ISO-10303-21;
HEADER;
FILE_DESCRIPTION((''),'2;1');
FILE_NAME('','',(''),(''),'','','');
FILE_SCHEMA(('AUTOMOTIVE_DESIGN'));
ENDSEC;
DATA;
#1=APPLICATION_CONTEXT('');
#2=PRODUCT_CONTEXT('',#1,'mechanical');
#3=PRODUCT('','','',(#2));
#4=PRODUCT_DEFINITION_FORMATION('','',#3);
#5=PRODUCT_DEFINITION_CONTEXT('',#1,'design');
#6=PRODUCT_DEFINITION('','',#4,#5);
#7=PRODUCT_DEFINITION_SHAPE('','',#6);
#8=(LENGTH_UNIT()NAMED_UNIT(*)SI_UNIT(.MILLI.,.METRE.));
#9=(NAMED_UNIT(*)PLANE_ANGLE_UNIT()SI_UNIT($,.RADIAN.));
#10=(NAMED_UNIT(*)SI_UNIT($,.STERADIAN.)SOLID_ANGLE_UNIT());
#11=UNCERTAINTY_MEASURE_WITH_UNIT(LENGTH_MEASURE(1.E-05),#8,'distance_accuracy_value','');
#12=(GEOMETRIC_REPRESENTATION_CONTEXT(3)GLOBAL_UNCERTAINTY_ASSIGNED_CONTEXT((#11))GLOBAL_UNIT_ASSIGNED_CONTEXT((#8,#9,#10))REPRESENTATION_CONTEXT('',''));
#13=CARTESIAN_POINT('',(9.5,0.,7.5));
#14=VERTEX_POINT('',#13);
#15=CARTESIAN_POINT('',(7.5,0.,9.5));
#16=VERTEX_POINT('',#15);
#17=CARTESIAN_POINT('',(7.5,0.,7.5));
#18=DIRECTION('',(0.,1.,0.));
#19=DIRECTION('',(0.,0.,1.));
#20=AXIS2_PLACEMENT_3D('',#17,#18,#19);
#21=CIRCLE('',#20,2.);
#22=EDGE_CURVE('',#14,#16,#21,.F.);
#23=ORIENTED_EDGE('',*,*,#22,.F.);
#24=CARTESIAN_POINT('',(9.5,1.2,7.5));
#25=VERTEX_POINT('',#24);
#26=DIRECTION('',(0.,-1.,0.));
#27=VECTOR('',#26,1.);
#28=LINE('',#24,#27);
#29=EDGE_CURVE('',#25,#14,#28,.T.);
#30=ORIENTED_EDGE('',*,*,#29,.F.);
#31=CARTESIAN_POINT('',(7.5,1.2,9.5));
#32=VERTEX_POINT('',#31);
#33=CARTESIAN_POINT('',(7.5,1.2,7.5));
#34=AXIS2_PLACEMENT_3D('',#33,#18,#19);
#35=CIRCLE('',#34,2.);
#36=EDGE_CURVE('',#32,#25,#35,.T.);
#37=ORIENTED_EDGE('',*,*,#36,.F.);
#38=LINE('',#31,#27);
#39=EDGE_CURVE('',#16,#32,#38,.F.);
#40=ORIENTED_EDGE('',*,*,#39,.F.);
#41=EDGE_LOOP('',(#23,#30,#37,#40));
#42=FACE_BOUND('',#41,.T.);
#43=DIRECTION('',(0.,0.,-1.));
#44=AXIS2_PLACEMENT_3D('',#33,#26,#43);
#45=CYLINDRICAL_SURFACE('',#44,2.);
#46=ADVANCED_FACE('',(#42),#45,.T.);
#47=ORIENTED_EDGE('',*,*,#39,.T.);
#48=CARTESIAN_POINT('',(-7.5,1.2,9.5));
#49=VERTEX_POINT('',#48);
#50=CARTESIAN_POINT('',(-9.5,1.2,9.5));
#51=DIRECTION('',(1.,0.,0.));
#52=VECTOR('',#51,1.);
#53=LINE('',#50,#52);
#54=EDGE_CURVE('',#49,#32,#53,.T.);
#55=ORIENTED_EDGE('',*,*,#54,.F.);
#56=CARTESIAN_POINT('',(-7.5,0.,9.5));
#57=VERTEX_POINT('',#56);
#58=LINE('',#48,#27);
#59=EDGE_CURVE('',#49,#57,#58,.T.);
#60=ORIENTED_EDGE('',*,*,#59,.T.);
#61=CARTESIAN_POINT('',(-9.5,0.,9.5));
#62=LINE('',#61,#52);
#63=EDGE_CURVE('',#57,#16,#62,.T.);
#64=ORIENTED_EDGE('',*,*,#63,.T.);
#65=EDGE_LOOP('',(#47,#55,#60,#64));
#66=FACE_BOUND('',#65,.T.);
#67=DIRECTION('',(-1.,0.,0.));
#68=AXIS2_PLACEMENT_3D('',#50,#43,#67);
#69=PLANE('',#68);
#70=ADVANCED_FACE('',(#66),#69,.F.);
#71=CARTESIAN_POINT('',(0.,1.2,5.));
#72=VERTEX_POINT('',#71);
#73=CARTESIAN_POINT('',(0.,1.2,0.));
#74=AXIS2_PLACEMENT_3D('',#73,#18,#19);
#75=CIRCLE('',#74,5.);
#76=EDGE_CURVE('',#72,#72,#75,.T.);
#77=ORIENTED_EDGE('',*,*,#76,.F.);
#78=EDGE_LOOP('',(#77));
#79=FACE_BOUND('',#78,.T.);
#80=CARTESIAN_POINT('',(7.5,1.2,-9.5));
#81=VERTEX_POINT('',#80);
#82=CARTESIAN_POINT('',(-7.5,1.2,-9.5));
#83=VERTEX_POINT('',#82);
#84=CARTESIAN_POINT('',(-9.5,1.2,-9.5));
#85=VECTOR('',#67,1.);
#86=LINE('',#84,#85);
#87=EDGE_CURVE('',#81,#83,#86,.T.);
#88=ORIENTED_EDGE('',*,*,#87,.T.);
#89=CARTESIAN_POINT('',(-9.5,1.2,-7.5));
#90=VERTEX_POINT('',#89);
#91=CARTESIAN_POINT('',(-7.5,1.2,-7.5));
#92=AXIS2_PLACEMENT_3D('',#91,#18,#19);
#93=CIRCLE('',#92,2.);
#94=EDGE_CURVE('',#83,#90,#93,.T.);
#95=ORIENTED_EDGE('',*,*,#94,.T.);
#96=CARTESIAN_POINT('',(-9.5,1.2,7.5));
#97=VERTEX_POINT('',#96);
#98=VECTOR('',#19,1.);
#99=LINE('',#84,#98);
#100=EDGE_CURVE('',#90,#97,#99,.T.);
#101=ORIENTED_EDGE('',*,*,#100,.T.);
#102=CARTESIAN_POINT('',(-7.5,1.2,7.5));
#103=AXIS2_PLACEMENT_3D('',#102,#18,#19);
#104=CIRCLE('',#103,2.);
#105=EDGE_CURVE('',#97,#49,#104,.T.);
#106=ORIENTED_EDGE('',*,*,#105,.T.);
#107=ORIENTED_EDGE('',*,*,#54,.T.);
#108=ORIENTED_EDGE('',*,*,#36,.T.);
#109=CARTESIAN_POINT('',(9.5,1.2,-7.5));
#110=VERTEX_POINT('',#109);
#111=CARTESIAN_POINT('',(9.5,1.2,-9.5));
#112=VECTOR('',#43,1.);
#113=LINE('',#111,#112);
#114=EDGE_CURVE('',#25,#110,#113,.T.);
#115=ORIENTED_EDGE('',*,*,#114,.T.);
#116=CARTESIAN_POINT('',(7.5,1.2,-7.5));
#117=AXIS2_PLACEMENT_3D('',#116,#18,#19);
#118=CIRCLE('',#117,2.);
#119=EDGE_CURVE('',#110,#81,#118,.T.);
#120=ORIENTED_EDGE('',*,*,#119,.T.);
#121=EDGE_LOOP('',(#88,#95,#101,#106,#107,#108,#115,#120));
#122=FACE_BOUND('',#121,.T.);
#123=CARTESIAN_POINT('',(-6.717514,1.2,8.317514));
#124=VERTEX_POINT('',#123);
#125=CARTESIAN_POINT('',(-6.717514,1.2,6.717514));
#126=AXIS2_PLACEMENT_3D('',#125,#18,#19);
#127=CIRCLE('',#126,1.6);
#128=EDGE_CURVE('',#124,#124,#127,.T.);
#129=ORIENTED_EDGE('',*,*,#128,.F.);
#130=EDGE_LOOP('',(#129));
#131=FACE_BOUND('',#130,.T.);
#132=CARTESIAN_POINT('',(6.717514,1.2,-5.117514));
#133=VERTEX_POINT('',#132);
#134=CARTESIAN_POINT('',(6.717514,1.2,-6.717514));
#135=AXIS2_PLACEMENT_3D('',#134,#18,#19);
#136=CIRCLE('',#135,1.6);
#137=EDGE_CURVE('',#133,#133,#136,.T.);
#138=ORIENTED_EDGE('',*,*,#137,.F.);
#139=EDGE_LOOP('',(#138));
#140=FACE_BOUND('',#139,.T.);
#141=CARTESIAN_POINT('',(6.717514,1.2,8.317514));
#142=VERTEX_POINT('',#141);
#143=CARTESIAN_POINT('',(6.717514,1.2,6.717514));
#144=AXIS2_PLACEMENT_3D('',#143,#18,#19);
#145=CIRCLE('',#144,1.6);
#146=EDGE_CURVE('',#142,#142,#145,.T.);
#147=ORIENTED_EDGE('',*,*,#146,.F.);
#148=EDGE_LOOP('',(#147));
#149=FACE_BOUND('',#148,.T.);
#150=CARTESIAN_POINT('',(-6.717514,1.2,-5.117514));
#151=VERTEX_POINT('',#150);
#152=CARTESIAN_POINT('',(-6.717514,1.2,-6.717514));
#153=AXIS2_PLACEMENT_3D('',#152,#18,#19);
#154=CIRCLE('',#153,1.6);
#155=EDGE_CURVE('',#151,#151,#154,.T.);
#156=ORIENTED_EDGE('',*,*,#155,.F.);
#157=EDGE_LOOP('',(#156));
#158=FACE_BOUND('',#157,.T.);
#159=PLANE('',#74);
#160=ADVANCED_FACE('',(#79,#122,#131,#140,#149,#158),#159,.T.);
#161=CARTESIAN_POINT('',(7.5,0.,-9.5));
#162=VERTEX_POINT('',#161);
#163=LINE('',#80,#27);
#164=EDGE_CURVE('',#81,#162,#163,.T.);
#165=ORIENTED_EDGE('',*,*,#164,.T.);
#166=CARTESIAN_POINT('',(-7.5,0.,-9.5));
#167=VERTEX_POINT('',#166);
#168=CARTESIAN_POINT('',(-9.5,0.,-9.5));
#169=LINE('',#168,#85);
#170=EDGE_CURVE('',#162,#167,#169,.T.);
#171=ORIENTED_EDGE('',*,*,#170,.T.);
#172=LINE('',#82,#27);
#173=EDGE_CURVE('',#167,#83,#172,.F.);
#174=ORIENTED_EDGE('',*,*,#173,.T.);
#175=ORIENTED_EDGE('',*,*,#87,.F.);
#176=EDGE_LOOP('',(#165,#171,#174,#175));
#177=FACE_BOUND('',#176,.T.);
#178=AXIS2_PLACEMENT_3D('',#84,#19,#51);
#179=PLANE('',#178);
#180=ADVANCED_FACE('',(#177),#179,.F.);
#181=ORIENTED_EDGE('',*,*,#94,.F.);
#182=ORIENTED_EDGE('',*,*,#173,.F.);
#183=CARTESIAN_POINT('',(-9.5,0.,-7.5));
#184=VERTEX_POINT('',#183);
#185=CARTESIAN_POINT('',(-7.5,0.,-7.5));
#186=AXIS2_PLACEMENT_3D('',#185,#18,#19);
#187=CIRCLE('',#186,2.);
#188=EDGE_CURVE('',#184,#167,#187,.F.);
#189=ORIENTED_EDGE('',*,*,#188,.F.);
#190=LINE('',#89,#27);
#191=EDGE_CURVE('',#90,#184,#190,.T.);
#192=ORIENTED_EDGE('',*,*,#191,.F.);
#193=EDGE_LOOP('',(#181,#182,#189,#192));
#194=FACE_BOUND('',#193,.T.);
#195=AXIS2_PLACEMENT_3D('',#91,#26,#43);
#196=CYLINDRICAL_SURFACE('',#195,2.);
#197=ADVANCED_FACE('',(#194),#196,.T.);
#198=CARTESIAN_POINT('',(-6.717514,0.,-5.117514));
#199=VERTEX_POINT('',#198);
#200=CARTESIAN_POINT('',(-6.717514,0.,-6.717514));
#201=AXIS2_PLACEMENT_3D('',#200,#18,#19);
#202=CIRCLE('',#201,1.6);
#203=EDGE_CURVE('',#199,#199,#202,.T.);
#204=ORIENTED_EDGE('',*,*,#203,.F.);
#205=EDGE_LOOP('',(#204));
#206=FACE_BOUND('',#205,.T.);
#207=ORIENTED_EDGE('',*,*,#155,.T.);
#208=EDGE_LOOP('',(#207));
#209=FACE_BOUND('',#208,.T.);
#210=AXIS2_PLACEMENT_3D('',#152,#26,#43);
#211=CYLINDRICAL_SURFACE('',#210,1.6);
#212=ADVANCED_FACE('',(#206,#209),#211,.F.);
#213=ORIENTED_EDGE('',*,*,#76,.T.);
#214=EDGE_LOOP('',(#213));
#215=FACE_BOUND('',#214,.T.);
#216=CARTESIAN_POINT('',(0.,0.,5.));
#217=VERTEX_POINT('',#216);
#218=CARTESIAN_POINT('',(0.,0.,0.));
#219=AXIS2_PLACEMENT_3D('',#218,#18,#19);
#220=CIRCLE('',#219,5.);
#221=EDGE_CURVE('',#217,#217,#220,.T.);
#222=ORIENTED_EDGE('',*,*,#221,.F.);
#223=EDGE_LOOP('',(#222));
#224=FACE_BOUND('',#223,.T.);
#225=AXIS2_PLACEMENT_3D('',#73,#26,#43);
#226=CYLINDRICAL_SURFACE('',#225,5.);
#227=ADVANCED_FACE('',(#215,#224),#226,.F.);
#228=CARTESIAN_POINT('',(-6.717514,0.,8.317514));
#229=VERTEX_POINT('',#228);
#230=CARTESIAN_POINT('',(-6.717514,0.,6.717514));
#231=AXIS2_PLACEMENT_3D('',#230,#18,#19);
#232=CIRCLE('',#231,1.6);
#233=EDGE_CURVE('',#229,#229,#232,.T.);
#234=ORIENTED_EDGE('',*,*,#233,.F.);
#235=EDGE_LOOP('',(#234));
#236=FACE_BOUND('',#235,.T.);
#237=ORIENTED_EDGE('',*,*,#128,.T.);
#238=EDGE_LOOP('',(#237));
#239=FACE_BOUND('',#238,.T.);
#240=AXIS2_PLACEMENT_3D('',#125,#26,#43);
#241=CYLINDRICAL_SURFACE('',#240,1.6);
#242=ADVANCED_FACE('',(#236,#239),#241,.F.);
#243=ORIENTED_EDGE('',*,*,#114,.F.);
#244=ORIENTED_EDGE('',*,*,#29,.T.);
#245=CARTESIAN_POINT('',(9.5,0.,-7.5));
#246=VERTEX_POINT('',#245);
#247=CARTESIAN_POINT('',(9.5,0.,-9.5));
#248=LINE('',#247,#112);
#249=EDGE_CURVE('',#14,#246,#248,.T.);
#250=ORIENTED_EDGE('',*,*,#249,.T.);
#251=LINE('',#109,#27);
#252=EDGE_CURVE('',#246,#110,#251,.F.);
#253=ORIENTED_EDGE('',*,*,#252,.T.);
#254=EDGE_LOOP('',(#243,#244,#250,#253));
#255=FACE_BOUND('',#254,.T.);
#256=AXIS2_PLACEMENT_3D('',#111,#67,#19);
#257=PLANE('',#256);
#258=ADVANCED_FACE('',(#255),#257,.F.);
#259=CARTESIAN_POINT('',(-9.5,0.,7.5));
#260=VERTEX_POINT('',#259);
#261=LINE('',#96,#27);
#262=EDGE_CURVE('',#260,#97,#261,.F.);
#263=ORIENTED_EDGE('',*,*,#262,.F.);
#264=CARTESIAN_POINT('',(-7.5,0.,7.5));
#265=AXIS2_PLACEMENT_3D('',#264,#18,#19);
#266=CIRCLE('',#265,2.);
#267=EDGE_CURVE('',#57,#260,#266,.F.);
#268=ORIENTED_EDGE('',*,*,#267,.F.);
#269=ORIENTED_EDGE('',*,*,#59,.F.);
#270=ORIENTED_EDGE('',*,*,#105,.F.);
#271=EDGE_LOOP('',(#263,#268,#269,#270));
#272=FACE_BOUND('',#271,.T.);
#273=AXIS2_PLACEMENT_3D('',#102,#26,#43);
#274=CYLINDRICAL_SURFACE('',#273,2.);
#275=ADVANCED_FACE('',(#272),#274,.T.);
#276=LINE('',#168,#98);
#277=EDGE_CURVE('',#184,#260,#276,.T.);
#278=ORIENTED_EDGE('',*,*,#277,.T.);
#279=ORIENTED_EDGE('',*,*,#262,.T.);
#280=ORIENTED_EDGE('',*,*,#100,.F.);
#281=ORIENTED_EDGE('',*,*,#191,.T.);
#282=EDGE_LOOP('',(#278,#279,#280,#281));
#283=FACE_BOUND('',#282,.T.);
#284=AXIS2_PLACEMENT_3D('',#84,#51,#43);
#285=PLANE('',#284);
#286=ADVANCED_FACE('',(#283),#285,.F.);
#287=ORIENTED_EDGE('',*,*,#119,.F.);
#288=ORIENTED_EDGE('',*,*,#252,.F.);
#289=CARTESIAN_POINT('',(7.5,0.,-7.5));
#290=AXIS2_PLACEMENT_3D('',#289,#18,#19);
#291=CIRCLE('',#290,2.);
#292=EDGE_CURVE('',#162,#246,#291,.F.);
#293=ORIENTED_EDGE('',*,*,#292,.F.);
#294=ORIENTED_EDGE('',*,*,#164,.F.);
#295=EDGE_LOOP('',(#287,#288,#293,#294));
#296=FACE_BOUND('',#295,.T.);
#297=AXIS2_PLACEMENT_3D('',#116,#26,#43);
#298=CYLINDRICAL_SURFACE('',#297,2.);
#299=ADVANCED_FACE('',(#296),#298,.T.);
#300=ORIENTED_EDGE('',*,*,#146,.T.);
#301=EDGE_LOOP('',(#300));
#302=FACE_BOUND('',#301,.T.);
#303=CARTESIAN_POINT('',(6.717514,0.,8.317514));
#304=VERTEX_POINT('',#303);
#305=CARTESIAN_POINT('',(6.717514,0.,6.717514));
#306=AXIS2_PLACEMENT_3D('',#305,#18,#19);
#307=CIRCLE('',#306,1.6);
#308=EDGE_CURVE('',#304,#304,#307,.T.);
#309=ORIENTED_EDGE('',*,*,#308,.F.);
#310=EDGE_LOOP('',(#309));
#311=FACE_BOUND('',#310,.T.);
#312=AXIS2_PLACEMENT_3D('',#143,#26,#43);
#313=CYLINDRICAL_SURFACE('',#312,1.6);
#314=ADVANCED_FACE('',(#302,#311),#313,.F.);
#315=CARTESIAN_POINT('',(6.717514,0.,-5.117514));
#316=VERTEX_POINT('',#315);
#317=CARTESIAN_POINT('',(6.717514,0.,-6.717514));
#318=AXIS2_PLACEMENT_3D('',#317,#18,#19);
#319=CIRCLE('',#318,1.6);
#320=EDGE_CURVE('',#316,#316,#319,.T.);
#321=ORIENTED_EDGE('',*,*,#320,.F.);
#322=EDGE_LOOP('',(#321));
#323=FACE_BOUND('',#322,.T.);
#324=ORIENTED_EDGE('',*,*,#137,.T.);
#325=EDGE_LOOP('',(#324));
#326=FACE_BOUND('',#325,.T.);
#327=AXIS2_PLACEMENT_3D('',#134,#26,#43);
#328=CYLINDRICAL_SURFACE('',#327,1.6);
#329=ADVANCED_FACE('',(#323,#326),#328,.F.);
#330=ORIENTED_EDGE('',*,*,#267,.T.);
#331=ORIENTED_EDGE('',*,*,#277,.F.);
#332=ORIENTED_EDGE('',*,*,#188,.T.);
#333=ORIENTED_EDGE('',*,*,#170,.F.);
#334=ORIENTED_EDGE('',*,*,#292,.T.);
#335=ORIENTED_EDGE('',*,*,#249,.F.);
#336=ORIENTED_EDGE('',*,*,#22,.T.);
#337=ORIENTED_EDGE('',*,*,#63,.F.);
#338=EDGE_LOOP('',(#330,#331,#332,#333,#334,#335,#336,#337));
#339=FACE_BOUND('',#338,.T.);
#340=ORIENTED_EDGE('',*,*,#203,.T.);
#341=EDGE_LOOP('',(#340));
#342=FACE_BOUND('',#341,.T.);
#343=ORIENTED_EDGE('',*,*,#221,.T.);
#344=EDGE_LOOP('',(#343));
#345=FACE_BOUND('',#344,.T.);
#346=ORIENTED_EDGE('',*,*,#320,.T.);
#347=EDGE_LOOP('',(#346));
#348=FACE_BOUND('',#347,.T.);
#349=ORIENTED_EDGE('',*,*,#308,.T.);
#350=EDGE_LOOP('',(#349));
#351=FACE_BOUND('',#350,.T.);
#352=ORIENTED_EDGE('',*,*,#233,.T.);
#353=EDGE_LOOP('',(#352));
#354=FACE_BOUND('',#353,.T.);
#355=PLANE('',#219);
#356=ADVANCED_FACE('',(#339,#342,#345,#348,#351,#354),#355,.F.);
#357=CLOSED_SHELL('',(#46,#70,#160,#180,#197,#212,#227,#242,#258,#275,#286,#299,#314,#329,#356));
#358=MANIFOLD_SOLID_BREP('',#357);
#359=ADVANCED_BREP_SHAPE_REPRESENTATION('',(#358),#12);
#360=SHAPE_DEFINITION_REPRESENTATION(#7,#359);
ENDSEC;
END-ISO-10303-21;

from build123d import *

# Parameters (mm, degrees)
SKETCH1_W           = 19
SKETCH1_H           = 19
SKETCH1_R           = 5
SKETCH1_R_2         = 1.6
BOSS_EXTRUDE1_DEPTH = 1.2
FILLET1_R           = 2


with BuildPart() as part:
    # Sketch1 → Boss-Extrude1 (new body)
    with BuildSketch(Plane(origin=(0, 0, 0), x_dir=(1, 0, 0), z_dir=(0, 1, 0))):
        Rectangle(SKETCH1_W, SKETCH1_H)
        Circle(SKETCH1_R, mode=Mode.SUBTRACT)
        with Locations((6.717514421, -6.717514421)):
            Circle(SKETCH1_R_2, mode=Mode.SUBTRACT)
        with Locations((-6.717514421, -6.717514421)):
            Circle(SKETCH1_R_2, mode=Mode.SUBTRACT)
        with Locations((-6.717514421, 6.717514421)):
            Circle(SKETCH1_R_2, mode=Mode.SUBTRACT)
        with Locations((6.717514421, 6.717514421)):
            Circle(SKETCH1_R_2, mode=Mode.SUBTRACT)
    extrude(amount=BOSS_EXTRUDE1_DEPTH)

    # Fillet1
    fillet1_edges = [part.edges().sort_by_distance(p)[0] for p in [
        (-9.5, 0.6, -9.5),
        (9.5, 0.6, -9.5),
        (9.5, 0.6, 9.5),
        (-9.5, 0.6, 9.5),
    ]]
    fillet(fillet1_edges, radius=FILLET1_R)


solid = part.part
